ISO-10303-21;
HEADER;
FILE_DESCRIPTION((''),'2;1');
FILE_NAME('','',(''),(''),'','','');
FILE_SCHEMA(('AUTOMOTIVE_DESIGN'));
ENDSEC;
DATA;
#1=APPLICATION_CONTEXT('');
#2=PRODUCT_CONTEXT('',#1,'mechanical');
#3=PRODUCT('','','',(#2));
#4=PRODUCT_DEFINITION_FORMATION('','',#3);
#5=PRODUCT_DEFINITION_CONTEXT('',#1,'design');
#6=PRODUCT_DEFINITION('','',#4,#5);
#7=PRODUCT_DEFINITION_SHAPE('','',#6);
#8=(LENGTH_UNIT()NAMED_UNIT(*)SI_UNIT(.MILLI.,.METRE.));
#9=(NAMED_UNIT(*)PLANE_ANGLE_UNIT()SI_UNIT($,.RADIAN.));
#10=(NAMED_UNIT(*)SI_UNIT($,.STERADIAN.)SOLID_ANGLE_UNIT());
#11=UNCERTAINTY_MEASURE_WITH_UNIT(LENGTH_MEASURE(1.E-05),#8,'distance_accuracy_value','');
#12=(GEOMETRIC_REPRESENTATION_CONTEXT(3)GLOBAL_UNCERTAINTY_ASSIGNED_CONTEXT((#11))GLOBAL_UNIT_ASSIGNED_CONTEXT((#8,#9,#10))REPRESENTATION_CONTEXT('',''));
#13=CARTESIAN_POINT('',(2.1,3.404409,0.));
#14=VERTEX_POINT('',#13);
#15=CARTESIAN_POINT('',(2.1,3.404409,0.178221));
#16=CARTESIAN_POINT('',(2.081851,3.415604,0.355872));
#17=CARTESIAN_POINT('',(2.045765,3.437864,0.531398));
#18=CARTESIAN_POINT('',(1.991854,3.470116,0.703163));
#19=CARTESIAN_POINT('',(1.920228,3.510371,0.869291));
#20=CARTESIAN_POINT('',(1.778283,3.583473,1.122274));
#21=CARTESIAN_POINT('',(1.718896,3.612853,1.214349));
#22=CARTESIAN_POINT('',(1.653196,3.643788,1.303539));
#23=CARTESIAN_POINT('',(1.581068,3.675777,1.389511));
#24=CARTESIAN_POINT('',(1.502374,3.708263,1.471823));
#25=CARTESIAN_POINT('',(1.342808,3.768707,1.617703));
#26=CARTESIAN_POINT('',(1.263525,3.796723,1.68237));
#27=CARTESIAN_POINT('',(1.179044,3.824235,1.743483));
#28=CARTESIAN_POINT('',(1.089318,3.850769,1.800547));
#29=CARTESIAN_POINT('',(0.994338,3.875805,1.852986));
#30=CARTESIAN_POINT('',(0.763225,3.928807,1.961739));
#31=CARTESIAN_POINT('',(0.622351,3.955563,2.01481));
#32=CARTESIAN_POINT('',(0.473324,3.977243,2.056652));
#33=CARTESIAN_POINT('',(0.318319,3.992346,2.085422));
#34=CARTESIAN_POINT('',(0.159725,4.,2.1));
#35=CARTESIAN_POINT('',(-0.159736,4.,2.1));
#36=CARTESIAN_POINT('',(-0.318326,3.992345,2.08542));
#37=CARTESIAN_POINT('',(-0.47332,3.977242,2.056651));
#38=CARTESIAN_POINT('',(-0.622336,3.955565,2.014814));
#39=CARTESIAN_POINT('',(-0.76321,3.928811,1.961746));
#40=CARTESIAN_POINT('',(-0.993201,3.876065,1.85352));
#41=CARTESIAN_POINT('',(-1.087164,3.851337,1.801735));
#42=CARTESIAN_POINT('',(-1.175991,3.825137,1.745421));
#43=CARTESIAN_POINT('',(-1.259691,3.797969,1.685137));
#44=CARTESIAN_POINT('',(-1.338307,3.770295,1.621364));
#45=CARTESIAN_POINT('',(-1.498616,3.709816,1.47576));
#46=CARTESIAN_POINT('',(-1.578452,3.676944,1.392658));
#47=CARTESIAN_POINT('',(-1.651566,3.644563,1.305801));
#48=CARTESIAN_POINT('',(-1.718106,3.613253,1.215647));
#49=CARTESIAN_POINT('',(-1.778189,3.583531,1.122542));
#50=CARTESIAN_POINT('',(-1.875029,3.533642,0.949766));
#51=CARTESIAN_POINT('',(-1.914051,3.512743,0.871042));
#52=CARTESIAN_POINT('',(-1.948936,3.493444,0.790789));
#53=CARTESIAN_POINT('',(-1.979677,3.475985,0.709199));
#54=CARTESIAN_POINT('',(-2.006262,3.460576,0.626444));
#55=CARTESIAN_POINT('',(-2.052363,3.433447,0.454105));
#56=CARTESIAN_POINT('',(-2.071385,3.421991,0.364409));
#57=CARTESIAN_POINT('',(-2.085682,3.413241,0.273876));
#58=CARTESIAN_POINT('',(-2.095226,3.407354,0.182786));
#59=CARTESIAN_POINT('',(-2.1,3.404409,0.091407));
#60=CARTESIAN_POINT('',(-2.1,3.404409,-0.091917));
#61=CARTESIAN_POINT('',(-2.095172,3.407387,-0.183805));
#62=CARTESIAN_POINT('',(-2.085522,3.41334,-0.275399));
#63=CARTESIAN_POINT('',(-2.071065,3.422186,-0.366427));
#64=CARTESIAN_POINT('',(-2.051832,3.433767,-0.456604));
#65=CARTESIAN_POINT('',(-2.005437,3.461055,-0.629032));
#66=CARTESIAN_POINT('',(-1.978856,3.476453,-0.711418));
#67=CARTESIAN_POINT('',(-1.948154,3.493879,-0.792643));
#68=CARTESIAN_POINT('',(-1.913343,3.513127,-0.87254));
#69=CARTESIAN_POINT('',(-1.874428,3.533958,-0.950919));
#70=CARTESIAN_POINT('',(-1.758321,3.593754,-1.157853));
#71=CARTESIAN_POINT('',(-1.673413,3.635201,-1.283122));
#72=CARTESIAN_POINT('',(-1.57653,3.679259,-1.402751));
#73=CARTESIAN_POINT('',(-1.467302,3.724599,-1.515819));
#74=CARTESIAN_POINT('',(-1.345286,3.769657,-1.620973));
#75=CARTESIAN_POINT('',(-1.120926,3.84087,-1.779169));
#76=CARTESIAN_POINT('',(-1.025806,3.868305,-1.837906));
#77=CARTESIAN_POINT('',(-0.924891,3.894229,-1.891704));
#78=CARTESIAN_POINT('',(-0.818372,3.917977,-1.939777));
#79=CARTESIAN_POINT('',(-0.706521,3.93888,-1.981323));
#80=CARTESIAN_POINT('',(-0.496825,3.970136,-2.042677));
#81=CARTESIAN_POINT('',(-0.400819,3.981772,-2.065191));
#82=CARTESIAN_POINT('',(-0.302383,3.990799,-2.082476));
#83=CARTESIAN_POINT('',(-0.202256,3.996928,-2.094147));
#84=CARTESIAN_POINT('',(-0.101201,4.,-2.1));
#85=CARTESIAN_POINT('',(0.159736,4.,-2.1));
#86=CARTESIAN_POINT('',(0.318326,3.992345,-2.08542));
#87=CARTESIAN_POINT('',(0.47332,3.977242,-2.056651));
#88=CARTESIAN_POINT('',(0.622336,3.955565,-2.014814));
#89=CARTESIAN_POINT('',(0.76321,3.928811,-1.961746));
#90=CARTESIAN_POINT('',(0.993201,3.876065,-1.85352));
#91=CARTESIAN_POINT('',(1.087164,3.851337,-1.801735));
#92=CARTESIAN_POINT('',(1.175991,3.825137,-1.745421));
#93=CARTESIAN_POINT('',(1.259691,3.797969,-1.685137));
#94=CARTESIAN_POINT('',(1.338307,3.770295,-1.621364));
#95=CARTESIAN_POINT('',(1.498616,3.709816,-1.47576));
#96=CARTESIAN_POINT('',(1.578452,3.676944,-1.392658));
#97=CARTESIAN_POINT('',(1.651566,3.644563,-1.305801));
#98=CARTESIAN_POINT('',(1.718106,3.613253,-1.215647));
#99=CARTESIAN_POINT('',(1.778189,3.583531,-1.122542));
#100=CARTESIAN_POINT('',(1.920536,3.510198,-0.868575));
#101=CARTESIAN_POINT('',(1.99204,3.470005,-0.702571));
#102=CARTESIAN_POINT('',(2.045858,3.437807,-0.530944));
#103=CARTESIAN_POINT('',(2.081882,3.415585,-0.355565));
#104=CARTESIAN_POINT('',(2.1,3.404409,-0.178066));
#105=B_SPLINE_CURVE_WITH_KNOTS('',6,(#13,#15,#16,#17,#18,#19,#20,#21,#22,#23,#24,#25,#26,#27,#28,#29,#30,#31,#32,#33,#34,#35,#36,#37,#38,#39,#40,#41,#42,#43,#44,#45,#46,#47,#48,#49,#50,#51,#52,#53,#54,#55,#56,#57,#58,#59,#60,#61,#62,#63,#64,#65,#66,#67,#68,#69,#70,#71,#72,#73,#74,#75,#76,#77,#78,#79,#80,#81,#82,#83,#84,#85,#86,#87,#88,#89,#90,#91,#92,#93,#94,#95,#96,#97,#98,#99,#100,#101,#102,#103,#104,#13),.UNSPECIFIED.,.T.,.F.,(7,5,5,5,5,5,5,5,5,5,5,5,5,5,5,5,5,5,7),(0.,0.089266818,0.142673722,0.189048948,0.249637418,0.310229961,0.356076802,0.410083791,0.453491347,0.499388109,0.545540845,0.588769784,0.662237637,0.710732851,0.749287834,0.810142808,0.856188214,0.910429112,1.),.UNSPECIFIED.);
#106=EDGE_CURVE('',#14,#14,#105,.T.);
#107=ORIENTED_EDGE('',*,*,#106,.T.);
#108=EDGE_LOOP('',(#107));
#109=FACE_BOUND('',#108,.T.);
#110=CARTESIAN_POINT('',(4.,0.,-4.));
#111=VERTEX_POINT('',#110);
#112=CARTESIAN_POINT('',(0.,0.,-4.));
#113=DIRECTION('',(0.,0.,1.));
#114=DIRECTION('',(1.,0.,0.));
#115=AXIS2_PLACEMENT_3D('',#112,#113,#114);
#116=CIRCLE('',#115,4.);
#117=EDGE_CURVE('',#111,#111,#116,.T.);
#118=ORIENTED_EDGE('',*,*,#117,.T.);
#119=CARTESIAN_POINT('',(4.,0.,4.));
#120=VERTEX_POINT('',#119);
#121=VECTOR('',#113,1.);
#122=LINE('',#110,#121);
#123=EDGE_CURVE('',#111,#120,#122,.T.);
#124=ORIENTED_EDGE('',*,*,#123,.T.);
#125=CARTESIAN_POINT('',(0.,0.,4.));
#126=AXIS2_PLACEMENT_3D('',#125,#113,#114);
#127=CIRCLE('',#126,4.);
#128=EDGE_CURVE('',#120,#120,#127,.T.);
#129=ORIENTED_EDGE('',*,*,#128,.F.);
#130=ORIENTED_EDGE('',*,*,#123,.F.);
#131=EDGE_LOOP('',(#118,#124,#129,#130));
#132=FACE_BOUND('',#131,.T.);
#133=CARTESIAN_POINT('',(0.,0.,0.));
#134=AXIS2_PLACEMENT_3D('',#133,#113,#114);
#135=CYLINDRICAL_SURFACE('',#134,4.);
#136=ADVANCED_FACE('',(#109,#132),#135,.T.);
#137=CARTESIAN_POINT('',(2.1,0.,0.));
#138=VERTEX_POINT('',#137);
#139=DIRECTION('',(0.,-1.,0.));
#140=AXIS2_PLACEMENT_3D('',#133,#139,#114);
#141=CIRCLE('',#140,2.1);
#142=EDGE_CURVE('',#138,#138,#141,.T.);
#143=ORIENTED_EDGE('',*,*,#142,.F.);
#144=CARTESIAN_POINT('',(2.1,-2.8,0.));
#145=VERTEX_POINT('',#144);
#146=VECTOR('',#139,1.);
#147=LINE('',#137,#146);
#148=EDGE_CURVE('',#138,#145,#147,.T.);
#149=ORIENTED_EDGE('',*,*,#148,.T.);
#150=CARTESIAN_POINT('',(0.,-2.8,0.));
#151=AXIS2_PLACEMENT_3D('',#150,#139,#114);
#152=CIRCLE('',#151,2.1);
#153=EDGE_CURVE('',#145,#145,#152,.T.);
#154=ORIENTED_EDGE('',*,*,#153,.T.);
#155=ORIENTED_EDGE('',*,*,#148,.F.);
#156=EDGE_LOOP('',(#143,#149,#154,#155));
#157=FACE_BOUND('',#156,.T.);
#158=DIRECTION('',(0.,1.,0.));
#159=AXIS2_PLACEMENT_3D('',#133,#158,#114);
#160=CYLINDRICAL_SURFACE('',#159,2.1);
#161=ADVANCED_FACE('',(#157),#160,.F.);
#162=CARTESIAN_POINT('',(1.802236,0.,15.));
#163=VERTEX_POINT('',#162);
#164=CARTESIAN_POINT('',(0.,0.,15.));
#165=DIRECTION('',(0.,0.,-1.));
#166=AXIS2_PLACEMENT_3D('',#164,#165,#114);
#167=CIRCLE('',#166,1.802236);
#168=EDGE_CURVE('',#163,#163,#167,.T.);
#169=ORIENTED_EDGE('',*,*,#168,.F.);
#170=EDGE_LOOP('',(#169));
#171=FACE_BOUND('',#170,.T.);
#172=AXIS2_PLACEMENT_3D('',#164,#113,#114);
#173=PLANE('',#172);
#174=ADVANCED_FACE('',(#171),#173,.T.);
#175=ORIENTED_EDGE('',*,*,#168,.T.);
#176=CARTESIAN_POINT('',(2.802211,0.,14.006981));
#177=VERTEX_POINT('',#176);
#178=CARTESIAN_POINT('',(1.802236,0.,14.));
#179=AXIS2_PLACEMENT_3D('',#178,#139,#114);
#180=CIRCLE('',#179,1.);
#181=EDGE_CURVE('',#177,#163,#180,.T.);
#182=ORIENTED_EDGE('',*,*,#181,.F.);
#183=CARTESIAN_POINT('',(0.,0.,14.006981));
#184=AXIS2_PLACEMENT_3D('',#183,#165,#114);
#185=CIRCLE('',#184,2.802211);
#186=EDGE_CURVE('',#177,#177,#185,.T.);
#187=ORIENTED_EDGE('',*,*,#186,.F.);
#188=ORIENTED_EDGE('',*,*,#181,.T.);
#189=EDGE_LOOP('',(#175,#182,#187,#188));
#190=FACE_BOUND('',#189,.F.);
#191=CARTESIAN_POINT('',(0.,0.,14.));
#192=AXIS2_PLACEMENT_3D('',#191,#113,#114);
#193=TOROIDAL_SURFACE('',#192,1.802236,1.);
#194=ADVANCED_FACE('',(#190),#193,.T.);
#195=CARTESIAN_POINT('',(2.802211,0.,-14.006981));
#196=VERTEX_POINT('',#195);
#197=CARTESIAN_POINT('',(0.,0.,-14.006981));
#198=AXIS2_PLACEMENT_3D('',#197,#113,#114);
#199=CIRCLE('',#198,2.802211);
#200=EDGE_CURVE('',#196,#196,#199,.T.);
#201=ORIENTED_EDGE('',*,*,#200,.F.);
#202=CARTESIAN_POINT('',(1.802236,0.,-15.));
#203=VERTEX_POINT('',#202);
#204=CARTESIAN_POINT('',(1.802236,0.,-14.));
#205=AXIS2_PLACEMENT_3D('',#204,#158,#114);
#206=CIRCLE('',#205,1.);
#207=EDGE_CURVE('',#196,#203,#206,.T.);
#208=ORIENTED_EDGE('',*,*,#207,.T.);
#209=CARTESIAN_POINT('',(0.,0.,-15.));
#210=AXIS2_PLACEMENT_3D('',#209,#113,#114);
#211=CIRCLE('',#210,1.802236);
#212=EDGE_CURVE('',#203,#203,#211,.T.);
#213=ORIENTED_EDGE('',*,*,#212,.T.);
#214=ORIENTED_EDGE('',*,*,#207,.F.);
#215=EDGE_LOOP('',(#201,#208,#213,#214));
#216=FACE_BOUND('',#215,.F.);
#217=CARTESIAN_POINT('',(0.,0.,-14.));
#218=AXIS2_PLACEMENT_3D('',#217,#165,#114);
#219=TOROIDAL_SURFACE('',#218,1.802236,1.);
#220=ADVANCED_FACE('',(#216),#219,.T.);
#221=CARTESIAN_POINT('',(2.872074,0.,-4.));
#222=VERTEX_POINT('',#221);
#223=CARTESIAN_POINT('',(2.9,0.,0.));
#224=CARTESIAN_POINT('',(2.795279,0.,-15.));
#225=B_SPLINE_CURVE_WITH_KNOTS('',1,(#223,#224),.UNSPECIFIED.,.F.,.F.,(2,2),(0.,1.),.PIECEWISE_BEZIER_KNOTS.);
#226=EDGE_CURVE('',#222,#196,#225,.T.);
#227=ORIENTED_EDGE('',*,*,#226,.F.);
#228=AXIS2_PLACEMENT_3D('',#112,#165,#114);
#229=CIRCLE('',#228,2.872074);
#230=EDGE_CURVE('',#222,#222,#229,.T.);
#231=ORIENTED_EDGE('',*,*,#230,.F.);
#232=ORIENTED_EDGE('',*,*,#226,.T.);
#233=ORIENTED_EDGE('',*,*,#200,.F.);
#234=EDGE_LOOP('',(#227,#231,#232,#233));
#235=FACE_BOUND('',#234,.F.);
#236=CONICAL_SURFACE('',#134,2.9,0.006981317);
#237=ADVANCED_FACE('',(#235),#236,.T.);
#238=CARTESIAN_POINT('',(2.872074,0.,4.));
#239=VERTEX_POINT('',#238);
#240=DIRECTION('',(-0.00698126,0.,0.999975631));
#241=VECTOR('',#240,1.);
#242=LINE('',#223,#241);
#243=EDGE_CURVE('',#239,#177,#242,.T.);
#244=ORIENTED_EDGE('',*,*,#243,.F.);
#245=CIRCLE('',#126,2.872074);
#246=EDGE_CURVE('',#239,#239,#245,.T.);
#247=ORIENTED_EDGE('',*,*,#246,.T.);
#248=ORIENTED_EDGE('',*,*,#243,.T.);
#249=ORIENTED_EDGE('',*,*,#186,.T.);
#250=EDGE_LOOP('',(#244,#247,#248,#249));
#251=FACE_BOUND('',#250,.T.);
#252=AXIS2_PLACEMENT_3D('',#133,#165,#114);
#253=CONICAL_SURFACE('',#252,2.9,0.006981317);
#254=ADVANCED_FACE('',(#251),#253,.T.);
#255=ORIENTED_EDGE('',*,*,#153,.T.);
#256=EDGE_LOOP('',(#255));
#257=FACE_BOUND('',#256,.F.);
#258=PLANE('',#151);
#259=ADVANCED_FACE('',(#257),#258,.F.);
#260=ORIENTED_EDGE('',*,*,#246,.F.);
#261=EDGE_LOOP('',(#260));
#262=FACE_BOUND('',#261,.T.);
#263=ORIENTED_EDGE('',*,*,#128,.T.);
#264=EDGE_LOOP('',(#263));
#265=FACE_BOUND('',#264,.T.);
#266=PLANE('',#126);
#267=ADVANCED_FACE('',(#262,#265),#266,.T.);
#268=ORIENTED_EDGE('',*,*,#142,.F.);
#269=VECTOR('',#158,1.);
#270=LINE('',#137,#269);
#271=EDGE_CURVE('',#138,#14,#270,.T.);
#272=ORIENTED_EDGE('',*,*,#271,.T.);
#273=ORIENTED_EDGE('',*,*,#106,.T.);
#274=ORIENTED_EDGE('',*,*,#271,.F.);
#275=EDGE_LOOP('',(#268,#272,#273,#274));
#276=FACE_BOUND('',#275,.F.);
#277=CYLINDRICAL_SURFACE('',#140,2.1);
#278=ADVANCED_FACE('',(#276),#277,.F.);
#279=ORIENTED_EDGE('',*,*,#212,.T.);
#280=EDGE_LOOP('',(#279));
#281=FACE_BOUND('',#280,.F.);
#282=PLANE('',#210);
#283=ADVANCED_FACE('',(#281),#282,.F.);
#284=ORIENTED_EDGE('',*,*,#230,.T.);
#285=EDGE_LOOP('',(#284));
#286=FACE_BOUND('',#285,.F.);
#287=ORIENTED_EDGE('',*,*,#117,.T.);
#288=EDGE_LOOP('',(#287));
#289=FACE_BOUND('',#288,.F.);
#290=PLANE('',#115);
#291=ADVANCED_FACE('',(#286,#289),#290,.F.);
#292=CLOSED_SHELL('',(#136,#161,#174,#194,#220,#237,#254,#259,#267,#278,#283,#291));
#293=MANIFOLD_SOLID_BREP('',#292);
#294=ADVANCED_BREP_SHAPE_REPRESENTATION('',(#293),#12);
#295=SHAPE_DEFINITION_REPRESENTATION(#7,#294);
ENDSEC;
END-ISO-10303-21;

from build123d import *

# Parameters (mm, degrees)
F0_R     = 2.9
F1_DEPTH = 15
F1_TAPER = 0.4
F2_DEPTH = 15
F2_TAPER = 0.4
F0_R_2   = 4
F3_DEPTH = 4
F4_DEPTH = 4
F5_R     = 1
F6_R     = 2.1
F7_DEPTH = 4.2
F8_DEPTH = 2.8


with BuildPart() as f1:
    # F0 (on Top) → F1 (new body)
    with BuildSketch(Plane.XY):
        Circle(F0_R)
    extrude(amount=F1_DEPTH, taper=F1_TAPER)

    # F0 (on Top) → F2 (join)
    with BuildSketch(Plane.XY):
        Circle(F0_R)
    extrude(amount=-F2_DEPTH, taper=F2_TAPER)

    # F0 (on Top) → F3 (join)
    with BuildSketch(Plane.XY):
        Circle(F0_R_2)
        Circle(F0_R, mode=Mode.SUBTRACT)
        Circle(F0_R)
    extrude(amount=F3_DEPTH)

    # F0 (on Top) → F4 (join)
    with BuildSketch(Plane.XY):
        Circle(F0_R_2)
        Circle(F0_R, mode=Mode.SUBTRACT)
        Circle(F0_R)
    extrude(amount=-F4_DEPTH)

    # F5
    f5_edges = [f1.edges().sort_by_distance(p)[0] for p in [
        (-2.795279, 0, 15),
        (-2.795279, 0, -15),
    ]]
    fillet(f5_edges, radius=F5_R)

    # F6 (on Front) → F7 (cut)
    with BuildSketch(Plane.XZ):
        Circle(F6_R)
    extrude(amount=-F7_DEPTH, mode=Mode.SUBTRACT)

    # F6 (on Front) → F8 (cut)
    with BuildSketch(Plane.XZ):
        Circle(F6_R)
    extrude(amount=F8_DEPTH, mode=Mode.SUBTRACT)


solid = f1.part
